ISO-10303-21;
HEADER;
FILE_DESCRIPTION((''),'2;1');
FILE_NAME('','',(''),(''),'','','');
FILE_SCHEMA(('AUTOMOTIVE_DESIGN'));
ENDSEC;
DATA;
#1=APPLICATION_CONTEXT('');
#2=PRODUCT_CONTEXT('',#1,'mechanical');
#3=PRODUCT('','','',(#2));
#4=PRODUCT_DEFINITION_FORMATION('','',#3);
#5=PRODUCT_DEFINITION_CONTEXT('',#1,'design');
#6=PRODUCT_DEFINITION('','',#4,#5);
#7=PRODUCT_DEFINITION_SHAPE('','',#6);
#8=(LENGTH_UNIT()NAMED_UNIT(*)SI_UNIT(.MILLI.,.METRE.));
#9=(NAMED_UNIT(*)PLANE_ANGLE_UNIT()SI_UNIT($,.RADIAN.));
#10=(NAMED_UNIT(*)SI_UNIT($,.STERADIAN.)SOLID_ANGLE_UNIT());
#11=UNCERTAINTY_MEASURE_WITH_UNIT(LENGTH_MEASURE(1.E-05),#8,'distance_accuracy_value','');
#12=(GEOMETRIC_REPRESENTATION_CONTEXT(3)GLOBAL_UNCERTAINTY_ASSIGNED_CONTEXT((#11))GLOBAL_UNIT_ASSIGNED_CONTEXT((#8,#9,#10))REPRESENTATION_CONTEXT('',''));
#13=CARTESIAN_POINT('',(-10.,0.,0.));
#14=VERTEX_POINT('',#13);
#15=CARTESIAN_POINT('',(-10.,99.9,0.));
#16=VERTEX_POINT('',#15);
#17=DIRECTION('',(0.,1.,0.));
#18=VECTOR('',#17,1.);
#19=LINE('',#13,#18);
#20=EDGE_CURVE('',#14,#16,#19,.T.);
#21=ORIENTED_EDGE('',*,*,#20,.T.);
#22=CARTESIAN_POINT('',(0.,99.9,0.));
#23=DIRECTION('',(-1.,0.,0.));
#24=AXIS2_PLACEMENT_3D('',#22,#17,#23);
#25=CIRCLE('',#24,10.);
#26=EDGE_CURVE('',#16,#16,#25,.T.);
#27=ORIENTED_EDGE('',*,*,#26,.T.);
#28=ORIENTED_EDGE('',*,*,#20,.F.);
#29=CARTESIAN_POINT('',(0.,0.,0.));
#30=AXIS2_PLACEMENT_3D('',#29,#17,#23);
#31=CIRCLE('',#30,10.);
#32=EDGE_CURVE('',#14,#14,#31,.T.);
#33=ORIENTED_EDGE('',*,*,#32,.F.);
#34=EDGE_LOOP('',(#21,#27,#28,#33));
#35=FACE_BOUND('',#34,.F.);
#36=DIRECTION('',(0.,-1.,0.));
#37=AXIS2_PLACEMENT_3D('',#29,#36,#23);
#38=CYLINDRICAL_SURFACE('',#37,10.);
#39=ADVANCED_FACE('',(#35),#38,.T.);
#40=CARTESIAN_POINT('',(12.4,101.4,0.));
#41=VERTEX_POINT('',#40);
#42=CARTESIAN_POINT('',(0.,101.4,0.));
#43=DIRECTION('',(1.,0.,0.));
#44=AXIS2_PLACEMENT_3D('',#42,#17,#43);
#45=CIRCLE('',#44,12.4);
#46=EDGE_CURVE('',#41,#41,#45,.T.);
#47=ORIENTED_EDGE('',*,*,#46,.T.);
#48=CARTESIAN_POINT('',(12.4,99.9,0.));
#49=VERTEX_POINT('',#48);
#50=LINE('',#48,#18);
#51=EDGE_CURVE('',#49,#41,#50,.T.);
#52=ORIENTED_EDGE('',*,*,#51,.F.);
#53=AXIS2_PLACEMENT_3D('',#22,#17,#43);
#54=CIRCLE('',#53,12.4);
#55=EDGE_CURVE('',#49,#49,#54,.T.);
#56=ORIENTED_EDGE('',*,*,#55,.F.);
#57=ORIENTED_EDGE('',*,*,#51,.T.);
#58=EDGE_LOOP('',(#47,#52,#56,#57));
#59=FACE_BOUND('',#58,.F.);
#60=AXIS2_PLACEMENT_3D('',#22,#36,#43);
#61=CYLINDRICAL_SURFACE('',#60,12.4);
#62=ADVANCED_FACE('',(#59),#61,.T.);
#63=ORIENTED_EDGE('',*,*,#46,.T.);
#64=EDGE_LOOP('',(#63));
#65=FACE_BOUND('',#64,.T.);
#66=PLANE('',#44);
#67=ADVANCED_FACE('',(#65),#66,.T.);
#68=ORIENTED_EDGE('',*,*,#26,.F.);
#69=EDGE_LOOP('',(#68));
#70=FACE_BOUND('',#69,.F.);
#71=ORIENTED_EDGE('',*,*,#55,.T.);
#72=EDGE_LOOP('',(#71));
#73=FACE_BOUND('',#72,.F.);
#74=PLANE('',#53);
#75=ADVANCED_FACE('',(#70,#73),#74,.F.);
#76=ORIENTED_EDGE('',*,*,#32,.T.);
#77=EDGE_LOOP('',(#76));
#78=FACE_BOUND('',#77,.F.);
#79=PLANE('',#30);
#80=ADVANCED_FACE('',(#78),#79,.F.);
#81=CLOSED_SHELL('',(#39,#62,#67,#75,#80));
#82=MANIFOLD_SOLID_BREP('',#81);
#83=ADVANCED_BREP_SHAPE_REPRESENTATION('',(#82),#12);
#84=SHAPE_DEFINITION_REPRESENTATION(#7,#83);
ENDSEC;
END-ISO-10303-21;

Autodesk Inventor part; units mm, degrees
ref_plane "YZ Plane" through (0, 0, 0) normal (1, 0, 0) x (0, 1, 0)
ref_plane "XZ Plane" through (0, 0, 0) normal (0, 1, 0) x (-1, 0, 0)
ref_plane "XY Plane" through (0, 0, 0) normal (0, 0, 1) x (1, 0, 0)
sketch "Sketch1" plane through (0, 0, 0) normal (0, 1, 0) x (-1, 0, 0)
  circle A0 centre (0, 0) radius 10
  dimension "d0" = 20
extrude "Extrusion1" add sketch "Sketch1" along normal blind 99.9
sketch "Sketch2" plane through (0, 99.9, 0) normal (0, 1, 0) x (1, 0, 0)
  circle A0 centre (0, 0) radius 12.4
  dimension "d3" = 24.8
extrude "Extrusion2" add sketch "Sketch2" along normal blind 1.5
properties part number "Syringe Plunger"
